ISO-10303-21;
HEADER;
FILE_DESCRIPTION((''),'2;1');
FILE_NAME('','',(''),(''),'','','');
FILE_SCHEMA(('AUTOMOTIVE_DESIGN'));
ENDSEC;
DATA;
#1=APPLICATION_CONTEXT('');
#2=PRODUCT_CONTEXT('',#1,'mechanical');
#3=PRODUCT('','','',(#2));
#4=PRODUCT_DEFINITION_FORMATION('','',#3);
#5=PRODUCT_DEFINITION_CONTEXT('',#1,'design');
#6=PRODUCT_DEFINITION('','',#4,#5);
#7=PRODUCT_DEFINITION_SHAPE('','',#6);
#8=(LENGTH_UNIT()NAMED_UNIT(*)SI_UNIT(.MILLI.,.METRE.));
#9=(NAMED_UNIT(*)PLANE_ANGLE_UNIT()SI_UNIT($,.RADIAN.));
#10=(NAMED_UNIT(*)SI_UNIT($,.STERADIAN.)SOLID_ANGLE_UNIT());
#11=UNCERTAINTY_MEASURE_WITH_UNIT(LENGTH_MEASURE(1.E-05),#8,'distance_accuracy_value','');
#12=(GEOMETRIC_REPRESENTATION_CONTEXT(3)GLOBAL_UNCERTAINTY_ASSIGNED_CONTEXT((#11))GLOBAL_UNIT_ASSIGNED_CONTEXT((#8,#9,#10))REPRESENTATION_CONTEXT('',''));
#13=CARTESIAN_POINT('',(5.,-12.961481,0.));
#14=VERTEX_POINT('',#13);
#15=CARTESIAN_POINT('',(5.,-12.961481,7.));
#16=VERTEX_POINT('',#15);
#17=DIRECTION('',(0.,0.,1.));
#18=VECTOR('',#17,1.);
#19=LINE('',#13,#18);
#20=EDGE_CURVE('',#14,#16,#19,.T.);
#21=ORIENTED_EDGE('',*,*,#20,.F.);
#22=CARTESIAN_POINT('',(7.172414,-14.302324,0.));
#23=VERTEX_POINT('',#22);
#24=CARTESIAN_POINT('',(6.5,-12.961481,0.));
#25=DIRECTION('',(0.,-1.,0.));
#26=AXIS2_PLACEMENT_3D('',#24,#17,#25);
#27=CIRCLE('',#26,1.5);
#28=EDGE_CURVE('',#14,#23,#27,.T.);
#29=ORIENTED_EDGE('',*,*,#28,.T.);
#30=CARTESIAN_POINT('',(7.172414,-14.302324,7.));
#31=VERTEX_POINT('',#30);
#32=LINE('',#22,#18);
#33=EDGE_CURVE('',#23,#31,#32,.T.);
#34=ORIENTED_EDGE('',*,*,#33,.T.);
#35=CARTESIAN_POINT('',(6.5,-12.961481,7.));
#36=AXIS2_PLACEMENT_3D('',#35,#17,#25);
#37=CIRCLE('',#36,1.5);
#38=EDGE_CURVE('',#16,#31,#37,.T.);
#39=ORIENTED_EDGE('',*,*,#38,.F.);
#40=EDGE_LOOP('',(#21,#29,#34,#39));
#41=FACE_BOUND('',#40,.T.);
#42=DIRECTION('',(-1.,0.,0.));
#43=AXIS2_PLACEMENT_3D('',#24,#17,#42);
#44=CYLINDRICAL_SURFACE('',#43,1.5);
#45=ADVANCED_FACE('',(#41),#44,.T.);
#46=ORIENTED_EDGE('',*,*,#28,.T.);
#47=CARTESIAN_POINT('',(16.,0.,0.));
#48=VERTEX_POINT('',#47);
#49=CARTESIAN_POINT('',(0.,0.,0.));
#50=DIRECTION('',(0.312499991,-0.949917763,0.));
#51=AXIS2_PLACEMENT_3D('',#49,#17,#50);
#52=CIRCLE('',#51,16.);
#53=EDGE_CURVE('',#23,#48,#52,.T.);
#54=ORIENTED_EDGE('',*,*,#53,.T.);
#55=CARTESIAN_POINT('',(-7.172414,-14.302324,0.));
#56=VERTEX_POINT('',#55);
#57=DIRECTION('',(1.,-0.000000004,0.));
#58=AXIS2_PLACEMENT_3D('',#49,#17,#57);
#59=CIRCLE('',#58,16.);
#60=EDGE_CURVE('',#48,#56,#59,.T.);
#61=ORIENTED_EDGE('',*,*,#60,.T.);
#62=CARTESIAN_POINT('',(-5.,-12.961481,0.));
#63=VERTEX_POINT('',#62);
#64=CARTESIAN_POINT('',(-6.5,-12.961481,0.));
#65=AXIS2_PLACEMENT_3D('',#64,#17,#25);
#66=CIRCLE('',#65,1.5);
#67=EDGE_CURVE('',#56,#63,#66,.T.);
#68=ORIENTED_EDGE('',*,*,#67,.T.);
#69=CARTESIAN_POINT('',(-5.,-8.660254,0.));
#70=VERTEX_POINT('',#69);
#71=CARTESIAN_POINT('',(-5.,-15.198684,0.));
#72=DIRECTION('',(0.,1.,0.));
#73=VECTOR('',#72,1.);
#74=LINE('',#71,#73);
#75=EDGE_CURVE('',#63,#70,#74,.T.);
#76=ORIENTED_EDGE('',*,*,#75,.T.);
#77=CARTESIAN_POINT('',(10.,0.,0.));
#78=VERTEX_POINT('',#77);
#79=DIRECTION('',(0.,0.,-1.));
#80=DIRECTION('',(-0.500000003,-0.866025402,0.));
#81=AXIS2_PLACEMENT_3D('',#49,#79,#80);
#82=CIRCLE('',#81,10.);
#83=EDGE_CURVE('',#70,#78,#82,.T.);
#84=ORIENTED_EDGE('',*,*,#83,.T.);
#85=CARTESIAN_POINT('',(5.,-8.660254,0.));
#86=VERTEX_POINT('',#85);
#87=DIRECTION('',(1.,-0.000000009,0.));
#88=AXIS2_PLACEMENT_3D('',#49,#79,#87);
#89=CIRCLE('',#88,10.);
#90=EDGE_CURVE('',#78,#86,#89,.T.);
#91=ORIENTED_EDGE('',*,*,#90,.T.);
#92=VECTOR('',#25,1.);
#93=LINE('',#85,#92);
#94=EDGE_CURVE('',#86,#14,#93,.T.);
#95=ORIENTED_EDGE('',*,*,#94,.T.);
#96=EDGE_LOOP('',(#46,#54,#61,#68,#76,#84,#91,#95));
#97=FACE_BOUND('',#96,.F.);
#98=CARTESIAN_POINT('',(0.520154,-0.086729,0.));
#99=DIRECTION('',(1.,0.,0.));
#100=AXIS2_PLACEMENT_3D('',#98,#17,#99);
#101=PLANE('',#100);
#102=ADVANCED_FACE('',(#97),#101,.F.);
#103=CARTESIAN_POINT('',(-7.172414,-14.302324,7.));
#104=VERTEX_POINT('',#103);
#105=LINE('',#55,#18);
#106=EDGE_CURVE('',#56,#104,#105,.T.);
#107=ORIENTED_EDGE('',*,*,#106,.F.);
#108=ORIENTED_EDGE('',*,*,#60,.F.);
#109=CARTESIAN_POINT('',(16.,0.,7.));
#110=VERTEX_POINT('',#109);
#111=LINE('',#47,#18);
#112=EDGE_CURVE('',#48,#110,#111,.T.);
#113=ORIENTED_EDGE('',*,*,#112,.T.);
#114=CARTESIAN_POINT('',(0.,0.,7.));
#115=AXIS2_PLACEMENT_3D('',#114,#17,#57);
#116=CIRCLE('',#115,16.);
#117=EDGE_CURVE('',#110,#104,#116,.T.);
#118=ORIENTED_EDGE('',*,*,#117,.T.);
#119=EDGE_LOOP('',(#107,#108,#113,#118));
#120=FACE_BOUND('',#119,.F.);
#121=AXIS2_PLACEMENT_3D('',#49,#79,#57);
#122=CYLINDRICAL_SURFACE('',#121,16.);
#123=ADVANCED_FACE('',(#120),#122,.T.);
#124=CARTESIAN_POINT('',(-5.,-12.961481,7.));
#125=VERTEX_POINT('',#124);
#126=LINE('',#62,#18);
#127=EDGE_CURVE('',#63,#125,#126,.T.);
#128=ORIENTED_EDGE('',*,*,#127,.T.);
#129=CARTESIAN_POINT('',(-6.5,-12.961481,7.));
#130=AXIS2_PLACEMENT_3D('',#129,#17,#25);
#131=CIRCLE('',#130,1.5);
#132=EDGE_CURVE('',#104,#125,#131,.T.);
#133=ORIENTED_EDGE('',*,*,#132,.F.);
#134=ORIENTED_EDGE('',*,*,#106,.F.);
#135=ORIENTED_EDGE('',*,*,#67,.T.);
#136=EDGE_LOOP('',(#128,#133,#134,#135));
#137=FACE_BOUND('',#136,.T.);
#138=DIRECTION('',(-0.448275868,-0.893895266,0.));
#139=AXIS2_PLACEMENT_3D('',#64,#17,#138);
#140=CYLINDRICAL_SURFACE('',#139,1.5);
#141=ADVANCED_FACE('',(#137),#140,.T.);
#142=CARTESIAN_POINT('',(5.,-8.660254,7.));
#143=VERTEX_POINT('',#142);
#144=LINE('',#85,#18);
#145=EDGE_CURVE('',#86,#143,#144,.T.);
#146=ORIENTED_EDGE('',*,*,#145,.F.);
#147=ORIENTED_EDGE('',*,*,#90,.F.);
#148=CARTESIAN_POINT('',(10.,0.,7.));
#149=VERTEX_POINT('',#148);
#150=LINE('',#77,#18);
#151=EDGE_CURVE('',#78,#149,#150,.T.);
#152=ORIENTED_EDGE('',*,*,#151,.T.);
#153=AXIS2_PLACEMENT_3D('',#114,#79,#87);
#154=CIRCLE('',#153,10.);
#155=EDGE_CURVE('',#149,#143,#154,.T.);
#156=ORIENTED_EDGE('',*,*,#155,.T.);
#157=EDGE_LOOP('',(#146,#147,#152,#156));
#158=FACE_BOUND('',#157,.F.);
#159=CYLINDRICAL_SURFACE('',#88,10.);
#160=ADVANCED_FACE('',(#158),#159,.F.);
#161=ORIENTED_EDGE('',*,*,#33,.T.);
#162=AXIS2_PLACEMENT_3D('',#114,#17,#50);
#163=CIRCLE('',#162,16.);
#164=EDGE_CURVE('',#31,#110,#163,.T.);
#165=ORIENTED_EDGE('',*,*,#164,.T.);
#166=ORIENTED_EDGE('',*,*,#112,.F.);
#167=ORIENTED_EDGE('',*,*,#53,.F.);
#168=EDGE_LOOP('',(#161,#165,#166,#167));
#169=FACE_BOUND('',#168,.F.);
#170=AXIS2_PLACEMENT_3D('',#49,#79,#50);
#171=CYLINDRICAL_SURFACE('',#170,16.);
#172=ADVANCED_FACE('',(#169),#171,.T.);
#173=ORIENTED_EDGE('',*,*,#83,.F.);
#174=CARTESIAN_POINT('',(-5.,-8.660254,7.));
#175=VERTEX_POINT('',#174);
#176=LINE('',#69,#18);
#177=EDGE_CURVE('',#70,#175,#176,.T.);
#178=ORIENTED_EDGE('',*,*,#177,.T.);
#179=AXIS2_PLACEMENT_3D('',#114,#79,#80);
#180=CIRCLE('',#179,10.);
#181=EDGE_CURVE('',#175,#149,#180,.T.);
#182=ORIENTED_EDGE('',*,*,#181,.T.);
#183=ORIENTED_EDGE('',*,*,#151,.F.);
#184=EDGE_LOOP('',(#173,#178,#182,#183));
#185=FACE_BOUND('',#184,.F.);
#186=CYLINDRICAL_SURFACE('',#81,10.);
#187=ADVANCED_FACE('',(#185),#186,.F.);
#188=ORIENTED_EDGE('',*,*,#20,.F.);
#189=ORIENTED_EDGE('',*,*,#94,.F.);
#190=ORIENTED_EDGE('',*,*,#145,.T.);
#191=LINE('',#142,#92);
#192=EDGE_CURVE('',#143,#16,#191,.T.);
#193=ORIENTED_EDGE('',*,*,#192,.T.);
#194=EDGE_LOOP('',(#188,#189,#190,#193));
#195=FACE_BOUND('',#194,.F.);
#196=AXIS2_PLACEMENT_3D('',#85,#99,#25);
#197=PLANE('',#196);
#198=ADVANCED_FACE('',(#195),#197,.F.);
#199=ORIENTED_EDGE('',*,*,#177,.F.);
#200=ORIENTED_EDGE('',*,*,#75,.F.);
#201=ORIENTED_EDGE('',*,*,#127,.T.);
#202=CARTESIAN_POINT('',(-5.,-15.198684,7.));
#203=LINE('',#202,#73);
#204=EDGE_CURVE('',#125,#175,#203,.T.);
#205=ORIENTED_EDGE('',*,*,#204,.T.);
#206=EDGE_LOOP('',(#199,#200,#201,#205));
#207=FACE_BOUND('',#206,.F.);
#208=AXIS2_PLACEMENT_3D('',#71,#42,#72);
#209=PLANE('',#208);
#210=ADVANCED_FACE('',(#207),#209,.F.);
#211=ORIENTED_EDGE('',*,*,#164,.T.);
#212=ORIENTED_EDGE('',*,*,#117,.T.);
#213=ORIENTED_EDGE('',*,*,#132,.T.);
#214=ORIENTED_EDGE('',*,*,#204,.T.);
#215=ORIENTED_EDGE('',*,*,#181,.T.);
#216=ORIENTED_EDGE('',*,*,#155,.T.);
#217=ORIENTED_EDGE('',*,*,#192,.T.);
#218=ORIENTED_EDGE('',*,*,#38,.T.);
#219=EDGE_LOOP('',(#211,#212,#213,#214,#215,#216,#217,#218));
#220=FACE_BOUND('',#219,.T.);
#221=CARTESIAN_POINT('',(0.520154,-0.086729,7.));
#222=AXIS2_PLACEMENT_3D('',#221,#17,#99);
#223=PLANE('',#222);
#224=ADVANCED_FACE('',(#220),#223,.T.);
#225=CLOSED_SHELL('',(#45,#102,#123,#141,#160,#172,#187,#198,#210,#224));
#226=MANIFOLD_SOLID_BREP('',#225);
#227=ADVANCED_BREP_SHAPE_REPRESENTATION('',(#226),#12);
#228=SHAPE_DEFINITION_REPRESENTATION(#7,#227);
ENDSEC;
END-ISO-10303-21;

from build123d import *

# Parameters (mm, degrees)
F1_DEPTH = 7
F2_R     = 1.5


with BuildPart() as f1:
    # F0 (on Top) → F1 (new body)
    with BuildSketch(Plane.XY):
        with BuildLine():
            ThreePointArc((-5, -8.660254), (-5, 8.660254), (10, 0))
            ThreePointArc((10, 0), (8.660254, -5), (5, -8.660254))
            Line((5, -8.660254), (5, -15.198684))
            ThreePointArc((5, -15.198684), (12.961481, -9.380832), (16, 0))
            ThreePointArc((16, 0), (-9.380832, 12.961481), (-5, -15.198684))
            Line((-5, -15.198684), (-5, -8.660254))
        make_face()
    extrude(amount=F1_DEPTH)

    # F2
    f2_edges = [f1.edges().sort_by_distance(p)[0] for p in [
        (-5, -15.198684, 3.5),
        (5, -15.198684, 3.5),
    ]]
    fillet(f2_edges, radius=F2_R)


solid = f1.part
